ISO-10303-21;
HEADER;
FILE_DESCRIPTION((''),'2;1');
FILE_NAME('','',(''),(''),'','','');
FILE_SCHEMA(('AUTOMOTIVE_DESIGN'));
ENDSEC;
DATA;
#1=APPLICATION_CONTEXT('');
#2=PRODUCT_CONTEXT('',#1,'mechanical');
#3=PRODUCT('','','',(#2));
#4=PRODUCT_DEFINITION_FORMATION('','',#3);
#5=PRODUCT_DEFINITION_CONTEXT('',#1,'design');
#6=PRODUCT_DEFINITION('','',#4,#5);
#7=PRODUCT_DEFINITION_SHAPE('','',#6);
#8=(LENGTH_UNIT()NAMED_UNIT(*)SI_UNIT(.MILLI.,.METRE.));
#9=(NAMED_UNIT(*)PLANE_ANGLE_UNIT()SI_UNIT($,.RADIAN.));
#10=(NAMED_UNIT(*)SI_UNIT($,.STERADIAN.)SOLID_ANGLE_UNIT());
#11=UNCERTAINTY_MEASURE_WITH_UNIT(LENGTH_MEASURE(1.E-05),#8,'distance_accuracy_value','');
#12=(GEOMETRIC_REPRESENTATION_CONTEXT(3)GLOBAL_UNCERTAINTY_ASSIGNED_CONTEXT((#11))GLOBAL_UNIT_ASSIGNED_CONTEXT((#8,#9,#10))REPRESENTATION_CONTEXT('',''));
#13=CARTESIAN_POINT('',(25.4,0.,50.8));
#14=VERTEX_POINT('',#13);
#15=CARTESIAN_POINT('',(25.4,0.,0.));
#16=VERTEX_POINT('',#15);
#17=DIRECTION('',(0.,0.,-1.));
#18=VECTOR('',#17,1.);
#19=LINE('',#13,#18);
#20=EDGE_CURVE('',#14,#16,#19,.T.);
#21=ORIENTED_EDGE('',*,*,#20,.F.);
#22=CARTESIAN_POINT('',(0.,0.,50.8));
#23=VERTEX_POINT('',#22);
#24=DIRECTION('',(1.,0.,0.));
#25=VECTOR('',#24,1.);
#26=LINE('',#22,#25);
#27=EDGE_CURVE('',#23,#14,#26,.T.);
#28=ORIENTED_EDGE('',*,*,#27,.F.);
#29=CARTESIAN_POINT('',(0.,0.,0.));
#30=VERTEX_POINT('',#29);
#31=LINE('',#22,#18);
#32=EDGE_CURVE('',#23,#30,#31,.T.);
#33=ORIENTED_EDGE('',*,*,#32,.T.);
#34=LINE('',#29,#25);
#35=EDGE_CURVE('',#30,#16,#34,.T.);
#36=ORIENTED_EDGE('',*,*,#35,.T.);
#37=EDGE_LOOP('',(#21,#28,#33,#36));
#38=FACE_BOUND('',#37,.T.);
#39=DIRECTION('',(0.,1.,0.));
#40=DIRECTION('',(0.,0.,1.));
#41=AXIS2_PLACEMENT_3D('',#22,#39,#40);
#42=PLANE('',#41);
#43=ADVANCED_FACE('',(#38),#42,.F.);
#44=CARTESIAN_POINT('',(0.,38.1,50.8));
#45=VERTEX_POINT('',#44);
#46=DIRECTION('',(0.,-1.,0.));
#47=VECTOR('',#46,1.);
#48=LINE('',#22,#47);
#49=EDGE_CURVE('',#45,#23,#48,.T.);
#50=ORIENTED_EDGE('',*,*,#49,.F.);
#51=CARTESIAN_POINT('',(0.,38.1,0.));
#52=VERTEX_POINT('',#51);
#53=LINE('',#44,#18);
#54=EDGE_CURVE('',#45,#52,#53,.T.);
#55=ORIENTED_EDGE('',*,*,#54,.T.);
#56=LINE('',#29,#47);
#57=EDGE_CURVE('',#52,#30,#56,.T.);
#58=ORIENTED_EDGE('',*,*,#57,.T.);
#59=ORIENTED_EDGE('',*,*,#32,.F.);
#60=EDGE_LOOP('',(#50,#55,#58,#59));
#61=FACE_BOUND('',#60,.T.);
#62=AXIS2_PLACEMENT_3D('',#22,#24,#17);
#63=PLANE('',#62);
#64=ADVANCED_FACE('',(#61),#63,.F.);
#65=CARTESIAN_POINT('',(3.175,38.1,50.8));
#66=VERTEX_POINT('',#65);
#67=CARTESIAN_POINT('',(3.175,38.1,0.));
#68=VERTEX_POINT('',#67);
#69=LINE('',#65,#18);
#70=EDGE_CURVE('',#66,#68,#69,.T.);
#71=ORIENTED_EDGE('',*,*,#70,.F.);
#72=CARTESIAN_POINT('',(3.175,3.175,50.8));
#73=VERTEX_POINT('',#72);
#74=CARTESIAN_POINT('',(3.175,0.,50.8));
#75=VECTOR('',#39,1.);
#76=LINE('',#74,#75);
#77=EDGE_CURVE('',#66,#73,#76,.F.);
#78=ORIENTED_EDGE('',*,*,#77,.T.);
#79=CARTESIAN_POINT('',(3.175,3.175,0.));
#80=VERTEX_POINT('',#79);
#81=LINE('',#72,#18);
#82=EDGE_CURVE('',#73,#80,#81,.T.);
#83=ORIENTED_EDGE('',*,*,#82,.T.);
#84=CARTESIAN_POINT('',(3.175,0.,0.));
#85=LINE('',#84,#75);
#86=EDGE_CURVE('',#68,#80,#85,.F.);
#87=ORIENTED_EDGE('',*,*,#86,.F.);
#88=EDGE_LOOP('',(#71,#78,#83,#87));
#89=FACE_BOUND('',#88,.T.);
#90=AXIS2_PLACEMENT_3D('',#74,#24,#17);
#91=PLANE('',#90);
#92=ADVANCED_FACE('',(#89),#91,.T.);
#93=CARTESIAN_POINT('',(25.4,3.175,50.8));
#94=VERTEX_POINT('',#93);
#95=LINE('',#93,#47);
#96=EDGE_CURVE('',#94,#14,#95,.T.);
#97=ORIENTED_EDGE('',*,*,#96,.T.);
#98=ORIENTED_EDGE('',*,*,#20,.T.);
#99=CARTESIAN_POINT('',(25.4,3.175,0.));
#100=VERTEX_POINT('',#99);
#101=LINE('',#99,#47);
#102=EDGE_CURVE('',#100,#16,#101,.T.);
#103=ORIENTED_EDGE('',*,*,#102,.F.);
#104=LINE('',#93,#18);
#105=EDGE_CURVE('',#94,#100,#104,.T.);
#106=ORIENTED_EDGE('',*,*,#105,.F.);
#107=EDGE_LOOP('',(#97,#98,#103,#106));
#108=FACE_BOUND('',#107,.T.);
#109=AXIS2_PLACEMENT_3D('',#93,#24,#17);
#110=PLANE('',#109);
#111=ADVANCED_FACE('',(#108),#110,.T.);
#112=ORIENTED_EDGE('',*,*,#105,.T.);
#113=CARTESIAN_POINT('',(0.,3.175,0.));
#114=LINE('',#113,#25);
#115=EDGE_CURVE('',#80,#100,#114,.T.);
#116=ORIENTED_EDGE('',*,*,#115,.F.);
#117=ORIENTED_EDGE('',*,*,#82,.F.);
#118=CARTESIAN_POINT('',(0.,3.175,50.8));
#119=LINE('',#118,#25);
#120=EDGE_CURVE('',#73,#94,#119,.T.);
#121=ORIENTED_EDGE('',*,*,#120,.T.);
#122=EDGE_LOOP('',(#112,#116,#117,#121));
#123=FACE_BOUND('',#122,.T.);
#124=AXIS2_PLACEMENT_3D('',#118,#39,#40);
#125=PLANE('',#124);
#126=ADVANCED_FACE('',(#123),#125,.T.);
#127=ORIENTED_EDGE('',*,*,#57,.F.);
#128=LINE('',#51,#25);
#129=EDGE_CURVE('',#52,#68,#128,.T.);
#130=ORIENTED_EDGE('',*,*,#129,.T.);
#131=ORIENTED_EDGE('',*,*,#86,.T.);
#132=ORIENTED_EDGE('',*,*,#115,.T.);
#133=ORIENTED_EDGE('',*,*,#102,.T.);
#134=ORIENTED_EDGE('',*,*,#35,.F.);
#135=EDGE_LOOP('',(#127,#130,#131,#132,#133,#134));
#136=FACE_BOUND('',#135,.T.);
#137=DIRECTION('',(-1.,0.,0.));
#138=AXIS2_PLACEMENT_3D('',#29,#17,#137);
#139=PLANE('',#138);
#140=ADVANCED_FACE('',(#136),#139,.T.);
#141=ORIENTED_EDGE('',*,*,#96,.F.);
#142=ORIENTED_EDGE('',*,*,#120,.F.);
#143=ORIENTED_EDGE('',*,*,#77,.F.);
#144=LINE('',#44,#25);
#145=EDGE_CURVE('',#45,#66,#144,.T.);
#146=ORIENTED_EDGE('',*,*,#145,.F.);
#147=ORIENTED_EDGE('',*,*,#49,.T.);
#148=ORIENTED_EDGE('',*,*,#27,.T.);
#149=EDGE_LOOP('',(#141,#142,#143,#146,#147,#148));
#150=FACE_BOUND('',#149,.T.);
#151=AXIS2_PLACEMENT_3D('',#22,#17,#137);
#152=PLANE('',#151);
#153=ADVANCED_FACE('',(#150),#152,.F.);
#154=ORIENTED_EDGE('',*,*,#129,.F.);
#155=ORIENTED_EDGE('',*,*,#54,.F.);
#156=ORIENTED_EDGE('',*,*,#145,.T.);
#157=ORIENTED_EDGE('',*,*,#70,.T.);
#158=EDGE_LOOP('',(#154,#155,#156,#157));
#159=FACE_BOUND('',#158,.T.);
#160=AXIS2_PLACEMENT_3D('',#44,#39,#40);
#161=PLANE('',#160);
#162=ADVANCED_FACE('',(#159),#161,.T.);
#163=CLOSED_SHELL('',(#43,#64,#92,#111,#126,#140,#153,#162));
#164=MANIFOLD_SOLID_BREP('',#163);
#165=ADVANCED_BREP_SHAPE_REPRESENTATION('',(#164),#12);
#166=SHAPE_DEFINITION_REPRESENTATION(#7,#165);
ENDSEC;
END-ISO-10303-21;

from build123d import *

# Parameters (mm, degrees)
EXTRUDE_THIN1_DEPTH = 50.8


with BuildPart() as part:
    # Sketch1 → Extrude-Thin1 (new body)
    with BuildSketch(Plane.XY):
        Polygon((25.4, 0), (0, 0), (0, 38.1), (3.175, 38.1), (3.175, 3.175), (25.4, 3.175), align=None)
    extrude(amount=EXTRUDE_THIN1_DEPTH)


solid = part.part
